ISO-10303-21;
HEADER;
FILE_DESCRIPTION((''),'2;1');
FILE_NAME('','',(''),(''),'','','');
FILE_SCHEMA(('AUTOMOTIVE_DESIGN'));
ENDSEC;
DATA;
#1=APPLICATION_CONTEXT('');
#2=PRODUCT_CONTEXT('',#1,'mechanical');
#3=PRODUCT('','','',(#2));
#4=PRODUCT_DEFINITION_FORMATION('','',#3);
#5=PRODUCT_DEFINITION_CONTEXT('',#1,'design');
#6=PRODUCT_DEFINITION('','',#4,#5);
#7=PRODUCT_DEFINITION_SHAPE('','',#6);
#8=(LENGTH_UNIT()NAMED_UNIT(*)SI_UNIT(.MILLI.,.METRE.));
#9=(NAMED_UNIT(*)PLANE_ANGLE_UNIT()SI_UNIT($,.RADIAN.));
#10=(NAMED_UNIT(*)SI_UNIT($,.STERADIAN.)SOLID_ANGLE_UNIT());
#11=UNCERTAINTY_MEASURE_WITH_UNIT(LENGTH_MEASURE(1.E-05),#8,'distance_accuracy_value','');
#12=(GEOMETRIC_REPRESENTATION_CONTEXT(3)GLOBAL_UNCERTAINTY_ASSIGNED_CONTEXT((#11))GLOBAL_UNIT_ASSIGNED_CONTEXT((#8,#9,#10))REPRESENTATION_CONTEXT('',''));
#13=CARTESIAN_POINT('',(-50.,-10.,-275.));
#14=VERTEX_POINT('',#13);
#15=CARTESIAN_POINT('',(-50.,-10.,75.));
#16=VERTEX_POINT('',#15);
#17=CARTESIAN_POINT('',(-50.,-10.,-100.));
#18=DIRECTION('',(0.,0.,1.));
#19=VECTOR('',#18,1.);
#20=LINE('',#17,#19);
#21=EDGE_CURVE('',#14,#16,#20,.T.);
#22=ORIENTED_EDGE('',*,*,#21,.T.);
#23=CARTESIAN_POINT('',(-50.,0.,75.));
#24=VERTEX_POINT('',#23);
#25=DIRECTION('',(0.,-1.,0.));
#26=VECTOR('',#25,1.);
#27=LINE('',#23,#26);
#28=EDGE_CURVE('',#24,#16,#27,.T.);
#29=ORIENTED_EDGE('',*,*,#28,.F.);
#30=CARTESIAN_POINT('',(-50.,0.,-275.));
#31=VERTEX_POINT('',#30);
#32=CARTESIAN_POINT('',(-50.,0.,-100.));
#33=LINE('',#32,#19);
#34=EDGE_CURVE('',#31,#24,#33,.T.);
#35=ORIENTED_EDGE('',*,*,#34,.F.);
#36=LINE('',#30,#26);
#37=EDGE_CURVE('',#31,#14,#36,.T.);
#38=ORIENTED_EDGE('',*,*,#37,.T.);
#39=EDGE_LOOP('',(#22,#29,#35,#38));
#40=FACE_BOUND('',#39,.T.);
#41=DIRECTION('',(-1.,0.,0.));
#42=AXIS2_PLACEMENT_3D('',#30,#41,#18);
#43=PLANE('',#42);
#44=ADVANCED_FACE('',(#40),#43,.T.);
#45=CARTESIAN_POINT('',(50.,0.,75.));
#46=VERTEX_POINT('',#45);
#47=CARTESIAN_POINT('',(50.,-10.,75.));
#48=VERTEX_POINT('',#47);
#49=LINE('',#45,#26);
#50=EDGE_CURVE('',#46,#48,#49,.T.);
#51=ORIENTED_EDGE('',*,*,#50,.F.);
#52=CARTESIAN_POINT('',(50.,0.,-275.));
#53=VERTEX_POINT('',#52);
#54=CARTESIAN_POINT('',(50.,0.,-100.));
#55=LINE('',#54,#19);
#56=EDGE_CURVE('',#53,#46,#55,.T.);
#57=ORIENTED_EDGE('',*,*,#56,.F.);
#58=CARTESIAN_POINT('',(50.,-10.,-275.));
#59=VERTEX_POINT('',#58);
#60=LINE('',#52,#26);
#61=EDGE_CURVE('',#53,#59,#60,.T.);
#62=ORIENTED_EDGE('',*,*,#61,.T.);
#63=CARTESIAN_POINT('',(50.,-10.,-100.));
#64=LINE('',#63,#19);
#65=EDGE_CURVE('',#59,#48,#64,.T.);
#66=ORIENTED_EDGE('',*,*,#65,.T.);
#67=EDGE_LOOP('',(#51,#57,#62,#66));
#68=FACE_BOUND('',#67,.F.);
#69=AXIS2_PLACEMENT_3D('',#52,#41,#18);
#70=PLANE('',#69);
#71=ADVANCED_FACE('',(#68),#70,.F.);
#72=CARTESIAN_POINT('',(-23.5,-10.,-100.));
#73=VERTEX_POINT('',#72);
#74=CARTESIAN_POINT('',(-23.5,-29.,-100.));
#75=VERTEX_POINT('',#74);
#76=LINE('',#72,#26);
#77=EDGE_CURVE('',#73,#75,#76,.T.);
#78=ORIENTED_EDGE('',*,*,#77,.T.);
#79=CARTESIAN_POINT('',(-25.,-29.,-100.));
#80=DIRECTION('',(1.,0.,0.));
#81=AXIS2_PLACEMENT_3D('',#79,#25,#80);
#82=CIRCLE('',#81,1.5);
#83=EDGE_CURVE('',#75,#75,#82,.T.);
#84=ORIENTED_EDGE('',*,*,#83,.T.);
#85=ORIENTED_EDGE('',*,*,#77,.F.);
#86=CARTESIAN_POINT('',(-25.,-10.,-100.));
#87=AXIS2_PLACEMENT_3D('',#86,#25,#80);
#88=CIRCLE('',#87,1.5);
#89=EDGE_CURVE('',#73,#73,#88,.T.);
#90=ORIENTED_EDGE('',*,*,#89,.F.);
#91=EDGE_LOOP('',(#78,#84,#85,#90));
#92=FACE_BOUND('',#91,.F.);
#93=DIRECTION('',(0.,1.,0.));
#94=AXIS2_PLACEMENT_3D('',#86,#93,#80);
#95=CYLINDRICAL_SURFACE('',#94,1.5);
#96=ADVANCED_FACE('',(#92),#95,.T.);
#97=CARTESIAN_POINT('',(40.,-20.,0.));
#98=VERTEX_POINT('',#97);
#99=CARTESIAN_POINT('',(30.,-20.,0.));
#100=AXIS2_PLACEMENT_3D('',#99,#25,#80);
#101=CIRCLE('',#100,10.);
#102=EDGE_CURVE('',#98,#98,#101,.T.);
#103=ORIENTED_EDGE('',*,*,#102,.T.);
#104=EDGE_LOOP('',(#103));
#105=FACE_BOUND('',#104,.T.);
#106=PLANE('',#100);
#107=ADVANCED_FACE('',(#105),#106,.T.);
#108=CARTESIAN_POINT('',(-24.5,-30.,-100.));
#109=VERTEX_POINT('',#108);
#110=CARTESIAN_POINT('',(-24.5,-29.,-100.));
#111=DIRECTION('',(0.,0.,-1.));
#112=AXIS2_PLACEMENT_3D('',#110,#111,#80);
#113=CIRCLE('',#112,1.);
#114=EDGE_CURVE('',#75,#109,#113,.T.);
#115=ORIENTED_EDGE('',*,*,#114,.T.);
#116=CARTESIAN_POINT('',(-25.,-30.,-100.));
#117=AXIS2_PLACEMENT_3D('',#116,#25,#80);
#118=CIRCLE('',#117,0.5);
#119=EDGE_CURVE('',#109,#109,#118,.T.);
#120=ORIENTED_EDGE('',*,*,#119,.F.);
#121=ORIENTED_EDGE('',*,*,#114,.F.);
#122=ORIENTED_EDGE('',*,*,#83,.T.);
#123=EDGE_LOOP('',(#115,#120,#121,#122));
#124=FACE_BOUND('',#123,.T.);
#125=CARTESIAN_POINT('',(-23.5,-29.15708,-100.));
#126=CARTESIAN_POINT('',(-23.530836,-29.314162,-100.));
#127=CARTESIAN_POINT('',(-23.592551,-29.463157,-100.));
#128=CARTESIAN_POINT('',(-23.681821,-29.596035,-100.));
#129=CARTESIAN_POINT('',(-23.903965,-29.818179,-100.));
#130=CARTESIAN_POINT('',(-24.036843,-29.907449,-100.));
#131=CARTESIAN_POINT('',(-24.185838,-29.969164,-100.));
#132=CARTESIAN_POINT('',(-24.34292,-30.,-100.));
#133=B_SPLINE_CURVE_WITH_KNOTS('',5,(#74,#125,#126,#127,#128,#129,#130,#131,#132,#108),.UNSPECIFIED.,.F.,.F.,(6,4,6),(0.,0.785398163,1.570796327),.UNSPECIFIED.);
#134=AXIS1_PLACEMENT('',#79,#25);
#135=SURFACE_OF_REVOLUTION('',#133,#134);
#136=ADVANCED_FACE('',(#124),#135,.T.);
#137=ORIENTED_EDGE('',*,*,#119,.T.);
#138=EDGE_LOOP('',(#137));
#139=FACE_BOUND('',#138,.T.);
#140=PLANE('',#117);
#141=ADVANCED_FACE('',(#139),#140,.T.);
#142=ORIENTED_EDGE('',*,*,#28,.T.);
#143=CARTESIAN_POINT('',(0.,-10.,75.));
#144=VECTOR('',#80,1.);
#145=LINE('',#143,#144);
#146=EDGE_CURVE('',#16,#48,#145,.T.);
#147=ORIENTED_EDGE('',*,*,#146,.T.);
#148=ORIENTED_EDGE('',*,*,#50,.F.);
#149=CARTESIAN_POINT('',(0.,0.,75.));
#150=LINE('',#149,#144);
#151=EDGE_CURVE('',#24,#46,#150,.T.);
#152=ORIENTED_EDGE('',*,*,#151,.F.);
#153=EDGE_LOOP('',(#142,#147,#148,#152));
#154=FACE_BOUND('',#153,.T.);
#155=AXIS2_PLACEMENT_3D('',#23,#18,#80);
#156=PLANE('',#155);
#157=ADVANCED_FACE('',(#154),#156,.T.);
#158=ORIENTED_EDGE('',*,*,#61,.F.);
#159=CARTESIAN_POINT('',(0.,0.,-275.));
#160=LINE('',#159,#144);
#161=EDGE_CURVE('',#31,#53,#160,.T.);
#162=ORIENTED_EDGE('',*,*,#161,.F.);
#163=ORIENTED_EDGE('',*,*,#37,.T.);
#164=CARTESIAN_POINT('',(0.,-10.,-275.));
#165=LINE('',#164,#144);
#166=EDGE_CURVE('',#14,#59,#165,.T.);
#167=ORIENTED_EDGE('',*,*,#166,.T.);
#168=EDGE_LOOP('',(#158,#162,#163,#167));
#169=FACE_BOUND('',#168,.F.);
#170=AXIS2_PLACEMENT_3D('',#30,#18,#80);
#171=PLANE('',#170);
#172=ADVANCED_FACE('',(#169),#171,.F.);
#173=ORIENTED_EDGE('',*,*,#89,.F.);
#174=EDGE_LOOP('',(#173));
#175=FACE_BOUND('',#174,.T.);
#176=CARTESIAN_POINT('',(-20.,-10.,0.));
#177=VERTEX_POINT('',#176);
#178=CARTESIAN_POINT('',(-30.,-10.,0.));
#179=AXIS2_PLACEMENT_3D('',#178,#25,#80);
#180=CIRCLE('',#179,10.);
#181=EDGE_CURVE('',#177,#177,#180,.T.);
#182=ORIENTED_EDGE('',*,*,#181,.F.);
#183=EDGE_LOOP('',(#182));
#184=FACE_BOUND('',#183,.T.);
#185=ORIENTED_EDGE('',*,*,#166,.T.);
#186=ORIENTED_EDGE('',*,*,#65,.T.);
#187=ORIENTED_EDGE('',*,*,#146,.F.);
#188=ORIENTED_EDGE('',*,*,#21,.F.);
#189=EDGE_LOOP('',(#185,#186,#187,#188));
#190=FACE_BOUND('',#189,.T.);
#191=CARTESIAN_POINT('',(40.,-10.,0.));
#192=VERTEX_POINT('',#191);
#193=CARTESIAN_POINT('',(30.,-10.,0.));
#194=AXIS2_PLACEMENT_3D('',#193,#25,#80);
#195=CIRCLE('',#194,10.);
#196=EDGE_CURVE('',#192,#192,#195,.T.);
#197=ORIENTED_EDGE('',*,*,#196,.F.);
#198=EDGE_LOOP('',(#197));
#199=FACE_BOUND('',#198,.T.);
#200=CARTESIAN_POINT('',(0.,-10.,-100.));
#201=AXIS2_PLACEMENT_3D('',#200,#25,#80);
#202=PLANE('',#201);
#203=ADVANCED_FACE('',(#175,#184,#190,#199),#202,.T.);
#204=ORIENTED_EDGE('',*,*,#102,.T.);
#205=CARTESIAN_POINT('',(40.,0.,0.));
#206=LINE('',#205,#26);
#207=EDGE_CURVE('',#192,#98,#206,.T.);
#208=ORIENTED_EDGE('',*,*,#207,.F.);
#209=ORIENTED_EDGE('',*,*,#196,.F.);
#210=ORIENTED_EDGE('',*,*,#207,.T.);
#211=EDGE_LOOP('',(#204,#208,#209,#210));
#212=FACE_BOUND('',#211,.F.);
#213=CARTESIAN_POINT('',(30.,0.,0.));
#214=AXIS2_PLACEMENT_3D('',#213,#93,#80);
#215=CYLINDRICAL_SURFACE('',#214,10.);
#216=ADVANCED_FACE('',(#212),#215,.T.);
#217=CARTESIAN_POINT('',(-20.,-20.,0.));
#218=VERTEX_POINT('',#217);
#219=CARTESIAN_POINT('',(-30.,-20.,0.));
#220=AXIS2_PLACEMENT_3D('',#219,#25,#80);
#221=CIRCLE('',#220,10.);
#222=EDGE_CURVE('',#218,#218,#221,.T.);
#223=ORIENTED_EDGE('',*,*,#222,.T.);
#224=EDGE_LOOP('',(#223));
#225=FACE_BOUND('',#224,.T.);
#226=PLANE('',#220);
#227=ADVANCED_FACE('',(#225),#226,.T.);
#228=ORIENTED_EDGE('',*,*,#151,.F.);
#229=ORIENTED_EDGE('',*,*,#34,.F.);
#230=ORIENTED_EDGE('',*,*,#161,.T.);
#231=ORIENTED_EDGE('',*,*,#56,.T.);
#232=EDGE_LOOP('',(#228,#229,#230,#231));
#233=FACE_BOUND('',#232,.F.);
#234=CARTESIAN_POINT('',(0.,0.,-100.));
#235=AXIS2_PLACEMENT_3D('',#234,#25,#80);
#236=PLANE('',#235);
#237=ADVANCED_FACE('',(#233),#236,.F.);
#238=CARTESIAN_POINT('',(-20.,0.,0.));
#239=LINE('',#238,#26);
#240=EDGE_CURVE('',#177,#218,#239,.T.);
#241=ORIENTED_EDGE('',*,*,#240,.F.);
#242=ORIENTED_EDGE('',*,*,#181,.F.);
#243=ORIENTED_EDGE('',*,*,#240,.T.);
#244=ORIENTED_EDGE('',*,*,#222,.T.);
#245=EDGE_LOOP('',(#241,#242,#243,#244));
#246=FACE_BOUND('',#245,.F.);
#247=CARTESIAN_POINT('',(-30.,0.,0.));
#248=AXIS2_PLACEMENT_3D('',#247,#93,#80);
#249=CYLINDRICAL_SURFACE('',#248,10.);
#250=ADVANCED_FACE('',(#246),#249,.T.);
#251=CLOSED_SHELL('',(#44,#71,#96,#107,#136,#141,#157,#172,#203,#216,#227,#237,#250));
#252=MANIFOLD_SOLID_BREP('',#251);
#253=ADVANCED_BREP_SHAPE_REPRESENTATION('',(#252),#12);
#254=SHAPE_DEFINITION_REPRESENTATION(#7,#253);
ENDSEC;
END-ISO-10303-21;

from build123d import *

# Parameters (mm, degrees)
F0_W     = 100
F0_H     = 350
F0_R     = 10
F1_DEPTH = 10
F2_DEPTH = 20
F3_R     = 1.5
F4_DEPTH = 20
F5_R     = 1


with BuildPart() as f1:
    # F0 (on Front) → F1 (new body)
    with BuildSketch(Plane.XZ):
        with Locations((0, -100)):
            Rectangle(F0_W, F0_H)
        with Locations((-30, 0)):
            Circle(F0_R, mode=Mode.SUBTRACT)
        with Locations((30, 0)):
            Circle(F0_R, mode=Mode.SUBTRACT)
    extrude(amount=F1_DEPTH)

    # F0 (on Front) → F2 (join)
    with BuildSketch(Plane.XZ):
        with Locations((-30, 0)):
            Circle(F0_R)
        with Locations((30, 0)):
            Circle(F0_R)
    extrude(amount=F2_DEPTH)

    # F3 (on face) → F4 (join)
    with BuildSketch(Plane.XZ.offset(10)):
        with Locations((-25, -100)):
            Circle(F3_R)
    extrude(amount=F4_DEPTH)

    # F5
    f5_edges = [f1.edges().sort_by_distance(p)[0] for p in [
        (-26.5, -30, -100),
    ]]
    fillet(f5_edges, radius=F5_R)


solid = f1.part
